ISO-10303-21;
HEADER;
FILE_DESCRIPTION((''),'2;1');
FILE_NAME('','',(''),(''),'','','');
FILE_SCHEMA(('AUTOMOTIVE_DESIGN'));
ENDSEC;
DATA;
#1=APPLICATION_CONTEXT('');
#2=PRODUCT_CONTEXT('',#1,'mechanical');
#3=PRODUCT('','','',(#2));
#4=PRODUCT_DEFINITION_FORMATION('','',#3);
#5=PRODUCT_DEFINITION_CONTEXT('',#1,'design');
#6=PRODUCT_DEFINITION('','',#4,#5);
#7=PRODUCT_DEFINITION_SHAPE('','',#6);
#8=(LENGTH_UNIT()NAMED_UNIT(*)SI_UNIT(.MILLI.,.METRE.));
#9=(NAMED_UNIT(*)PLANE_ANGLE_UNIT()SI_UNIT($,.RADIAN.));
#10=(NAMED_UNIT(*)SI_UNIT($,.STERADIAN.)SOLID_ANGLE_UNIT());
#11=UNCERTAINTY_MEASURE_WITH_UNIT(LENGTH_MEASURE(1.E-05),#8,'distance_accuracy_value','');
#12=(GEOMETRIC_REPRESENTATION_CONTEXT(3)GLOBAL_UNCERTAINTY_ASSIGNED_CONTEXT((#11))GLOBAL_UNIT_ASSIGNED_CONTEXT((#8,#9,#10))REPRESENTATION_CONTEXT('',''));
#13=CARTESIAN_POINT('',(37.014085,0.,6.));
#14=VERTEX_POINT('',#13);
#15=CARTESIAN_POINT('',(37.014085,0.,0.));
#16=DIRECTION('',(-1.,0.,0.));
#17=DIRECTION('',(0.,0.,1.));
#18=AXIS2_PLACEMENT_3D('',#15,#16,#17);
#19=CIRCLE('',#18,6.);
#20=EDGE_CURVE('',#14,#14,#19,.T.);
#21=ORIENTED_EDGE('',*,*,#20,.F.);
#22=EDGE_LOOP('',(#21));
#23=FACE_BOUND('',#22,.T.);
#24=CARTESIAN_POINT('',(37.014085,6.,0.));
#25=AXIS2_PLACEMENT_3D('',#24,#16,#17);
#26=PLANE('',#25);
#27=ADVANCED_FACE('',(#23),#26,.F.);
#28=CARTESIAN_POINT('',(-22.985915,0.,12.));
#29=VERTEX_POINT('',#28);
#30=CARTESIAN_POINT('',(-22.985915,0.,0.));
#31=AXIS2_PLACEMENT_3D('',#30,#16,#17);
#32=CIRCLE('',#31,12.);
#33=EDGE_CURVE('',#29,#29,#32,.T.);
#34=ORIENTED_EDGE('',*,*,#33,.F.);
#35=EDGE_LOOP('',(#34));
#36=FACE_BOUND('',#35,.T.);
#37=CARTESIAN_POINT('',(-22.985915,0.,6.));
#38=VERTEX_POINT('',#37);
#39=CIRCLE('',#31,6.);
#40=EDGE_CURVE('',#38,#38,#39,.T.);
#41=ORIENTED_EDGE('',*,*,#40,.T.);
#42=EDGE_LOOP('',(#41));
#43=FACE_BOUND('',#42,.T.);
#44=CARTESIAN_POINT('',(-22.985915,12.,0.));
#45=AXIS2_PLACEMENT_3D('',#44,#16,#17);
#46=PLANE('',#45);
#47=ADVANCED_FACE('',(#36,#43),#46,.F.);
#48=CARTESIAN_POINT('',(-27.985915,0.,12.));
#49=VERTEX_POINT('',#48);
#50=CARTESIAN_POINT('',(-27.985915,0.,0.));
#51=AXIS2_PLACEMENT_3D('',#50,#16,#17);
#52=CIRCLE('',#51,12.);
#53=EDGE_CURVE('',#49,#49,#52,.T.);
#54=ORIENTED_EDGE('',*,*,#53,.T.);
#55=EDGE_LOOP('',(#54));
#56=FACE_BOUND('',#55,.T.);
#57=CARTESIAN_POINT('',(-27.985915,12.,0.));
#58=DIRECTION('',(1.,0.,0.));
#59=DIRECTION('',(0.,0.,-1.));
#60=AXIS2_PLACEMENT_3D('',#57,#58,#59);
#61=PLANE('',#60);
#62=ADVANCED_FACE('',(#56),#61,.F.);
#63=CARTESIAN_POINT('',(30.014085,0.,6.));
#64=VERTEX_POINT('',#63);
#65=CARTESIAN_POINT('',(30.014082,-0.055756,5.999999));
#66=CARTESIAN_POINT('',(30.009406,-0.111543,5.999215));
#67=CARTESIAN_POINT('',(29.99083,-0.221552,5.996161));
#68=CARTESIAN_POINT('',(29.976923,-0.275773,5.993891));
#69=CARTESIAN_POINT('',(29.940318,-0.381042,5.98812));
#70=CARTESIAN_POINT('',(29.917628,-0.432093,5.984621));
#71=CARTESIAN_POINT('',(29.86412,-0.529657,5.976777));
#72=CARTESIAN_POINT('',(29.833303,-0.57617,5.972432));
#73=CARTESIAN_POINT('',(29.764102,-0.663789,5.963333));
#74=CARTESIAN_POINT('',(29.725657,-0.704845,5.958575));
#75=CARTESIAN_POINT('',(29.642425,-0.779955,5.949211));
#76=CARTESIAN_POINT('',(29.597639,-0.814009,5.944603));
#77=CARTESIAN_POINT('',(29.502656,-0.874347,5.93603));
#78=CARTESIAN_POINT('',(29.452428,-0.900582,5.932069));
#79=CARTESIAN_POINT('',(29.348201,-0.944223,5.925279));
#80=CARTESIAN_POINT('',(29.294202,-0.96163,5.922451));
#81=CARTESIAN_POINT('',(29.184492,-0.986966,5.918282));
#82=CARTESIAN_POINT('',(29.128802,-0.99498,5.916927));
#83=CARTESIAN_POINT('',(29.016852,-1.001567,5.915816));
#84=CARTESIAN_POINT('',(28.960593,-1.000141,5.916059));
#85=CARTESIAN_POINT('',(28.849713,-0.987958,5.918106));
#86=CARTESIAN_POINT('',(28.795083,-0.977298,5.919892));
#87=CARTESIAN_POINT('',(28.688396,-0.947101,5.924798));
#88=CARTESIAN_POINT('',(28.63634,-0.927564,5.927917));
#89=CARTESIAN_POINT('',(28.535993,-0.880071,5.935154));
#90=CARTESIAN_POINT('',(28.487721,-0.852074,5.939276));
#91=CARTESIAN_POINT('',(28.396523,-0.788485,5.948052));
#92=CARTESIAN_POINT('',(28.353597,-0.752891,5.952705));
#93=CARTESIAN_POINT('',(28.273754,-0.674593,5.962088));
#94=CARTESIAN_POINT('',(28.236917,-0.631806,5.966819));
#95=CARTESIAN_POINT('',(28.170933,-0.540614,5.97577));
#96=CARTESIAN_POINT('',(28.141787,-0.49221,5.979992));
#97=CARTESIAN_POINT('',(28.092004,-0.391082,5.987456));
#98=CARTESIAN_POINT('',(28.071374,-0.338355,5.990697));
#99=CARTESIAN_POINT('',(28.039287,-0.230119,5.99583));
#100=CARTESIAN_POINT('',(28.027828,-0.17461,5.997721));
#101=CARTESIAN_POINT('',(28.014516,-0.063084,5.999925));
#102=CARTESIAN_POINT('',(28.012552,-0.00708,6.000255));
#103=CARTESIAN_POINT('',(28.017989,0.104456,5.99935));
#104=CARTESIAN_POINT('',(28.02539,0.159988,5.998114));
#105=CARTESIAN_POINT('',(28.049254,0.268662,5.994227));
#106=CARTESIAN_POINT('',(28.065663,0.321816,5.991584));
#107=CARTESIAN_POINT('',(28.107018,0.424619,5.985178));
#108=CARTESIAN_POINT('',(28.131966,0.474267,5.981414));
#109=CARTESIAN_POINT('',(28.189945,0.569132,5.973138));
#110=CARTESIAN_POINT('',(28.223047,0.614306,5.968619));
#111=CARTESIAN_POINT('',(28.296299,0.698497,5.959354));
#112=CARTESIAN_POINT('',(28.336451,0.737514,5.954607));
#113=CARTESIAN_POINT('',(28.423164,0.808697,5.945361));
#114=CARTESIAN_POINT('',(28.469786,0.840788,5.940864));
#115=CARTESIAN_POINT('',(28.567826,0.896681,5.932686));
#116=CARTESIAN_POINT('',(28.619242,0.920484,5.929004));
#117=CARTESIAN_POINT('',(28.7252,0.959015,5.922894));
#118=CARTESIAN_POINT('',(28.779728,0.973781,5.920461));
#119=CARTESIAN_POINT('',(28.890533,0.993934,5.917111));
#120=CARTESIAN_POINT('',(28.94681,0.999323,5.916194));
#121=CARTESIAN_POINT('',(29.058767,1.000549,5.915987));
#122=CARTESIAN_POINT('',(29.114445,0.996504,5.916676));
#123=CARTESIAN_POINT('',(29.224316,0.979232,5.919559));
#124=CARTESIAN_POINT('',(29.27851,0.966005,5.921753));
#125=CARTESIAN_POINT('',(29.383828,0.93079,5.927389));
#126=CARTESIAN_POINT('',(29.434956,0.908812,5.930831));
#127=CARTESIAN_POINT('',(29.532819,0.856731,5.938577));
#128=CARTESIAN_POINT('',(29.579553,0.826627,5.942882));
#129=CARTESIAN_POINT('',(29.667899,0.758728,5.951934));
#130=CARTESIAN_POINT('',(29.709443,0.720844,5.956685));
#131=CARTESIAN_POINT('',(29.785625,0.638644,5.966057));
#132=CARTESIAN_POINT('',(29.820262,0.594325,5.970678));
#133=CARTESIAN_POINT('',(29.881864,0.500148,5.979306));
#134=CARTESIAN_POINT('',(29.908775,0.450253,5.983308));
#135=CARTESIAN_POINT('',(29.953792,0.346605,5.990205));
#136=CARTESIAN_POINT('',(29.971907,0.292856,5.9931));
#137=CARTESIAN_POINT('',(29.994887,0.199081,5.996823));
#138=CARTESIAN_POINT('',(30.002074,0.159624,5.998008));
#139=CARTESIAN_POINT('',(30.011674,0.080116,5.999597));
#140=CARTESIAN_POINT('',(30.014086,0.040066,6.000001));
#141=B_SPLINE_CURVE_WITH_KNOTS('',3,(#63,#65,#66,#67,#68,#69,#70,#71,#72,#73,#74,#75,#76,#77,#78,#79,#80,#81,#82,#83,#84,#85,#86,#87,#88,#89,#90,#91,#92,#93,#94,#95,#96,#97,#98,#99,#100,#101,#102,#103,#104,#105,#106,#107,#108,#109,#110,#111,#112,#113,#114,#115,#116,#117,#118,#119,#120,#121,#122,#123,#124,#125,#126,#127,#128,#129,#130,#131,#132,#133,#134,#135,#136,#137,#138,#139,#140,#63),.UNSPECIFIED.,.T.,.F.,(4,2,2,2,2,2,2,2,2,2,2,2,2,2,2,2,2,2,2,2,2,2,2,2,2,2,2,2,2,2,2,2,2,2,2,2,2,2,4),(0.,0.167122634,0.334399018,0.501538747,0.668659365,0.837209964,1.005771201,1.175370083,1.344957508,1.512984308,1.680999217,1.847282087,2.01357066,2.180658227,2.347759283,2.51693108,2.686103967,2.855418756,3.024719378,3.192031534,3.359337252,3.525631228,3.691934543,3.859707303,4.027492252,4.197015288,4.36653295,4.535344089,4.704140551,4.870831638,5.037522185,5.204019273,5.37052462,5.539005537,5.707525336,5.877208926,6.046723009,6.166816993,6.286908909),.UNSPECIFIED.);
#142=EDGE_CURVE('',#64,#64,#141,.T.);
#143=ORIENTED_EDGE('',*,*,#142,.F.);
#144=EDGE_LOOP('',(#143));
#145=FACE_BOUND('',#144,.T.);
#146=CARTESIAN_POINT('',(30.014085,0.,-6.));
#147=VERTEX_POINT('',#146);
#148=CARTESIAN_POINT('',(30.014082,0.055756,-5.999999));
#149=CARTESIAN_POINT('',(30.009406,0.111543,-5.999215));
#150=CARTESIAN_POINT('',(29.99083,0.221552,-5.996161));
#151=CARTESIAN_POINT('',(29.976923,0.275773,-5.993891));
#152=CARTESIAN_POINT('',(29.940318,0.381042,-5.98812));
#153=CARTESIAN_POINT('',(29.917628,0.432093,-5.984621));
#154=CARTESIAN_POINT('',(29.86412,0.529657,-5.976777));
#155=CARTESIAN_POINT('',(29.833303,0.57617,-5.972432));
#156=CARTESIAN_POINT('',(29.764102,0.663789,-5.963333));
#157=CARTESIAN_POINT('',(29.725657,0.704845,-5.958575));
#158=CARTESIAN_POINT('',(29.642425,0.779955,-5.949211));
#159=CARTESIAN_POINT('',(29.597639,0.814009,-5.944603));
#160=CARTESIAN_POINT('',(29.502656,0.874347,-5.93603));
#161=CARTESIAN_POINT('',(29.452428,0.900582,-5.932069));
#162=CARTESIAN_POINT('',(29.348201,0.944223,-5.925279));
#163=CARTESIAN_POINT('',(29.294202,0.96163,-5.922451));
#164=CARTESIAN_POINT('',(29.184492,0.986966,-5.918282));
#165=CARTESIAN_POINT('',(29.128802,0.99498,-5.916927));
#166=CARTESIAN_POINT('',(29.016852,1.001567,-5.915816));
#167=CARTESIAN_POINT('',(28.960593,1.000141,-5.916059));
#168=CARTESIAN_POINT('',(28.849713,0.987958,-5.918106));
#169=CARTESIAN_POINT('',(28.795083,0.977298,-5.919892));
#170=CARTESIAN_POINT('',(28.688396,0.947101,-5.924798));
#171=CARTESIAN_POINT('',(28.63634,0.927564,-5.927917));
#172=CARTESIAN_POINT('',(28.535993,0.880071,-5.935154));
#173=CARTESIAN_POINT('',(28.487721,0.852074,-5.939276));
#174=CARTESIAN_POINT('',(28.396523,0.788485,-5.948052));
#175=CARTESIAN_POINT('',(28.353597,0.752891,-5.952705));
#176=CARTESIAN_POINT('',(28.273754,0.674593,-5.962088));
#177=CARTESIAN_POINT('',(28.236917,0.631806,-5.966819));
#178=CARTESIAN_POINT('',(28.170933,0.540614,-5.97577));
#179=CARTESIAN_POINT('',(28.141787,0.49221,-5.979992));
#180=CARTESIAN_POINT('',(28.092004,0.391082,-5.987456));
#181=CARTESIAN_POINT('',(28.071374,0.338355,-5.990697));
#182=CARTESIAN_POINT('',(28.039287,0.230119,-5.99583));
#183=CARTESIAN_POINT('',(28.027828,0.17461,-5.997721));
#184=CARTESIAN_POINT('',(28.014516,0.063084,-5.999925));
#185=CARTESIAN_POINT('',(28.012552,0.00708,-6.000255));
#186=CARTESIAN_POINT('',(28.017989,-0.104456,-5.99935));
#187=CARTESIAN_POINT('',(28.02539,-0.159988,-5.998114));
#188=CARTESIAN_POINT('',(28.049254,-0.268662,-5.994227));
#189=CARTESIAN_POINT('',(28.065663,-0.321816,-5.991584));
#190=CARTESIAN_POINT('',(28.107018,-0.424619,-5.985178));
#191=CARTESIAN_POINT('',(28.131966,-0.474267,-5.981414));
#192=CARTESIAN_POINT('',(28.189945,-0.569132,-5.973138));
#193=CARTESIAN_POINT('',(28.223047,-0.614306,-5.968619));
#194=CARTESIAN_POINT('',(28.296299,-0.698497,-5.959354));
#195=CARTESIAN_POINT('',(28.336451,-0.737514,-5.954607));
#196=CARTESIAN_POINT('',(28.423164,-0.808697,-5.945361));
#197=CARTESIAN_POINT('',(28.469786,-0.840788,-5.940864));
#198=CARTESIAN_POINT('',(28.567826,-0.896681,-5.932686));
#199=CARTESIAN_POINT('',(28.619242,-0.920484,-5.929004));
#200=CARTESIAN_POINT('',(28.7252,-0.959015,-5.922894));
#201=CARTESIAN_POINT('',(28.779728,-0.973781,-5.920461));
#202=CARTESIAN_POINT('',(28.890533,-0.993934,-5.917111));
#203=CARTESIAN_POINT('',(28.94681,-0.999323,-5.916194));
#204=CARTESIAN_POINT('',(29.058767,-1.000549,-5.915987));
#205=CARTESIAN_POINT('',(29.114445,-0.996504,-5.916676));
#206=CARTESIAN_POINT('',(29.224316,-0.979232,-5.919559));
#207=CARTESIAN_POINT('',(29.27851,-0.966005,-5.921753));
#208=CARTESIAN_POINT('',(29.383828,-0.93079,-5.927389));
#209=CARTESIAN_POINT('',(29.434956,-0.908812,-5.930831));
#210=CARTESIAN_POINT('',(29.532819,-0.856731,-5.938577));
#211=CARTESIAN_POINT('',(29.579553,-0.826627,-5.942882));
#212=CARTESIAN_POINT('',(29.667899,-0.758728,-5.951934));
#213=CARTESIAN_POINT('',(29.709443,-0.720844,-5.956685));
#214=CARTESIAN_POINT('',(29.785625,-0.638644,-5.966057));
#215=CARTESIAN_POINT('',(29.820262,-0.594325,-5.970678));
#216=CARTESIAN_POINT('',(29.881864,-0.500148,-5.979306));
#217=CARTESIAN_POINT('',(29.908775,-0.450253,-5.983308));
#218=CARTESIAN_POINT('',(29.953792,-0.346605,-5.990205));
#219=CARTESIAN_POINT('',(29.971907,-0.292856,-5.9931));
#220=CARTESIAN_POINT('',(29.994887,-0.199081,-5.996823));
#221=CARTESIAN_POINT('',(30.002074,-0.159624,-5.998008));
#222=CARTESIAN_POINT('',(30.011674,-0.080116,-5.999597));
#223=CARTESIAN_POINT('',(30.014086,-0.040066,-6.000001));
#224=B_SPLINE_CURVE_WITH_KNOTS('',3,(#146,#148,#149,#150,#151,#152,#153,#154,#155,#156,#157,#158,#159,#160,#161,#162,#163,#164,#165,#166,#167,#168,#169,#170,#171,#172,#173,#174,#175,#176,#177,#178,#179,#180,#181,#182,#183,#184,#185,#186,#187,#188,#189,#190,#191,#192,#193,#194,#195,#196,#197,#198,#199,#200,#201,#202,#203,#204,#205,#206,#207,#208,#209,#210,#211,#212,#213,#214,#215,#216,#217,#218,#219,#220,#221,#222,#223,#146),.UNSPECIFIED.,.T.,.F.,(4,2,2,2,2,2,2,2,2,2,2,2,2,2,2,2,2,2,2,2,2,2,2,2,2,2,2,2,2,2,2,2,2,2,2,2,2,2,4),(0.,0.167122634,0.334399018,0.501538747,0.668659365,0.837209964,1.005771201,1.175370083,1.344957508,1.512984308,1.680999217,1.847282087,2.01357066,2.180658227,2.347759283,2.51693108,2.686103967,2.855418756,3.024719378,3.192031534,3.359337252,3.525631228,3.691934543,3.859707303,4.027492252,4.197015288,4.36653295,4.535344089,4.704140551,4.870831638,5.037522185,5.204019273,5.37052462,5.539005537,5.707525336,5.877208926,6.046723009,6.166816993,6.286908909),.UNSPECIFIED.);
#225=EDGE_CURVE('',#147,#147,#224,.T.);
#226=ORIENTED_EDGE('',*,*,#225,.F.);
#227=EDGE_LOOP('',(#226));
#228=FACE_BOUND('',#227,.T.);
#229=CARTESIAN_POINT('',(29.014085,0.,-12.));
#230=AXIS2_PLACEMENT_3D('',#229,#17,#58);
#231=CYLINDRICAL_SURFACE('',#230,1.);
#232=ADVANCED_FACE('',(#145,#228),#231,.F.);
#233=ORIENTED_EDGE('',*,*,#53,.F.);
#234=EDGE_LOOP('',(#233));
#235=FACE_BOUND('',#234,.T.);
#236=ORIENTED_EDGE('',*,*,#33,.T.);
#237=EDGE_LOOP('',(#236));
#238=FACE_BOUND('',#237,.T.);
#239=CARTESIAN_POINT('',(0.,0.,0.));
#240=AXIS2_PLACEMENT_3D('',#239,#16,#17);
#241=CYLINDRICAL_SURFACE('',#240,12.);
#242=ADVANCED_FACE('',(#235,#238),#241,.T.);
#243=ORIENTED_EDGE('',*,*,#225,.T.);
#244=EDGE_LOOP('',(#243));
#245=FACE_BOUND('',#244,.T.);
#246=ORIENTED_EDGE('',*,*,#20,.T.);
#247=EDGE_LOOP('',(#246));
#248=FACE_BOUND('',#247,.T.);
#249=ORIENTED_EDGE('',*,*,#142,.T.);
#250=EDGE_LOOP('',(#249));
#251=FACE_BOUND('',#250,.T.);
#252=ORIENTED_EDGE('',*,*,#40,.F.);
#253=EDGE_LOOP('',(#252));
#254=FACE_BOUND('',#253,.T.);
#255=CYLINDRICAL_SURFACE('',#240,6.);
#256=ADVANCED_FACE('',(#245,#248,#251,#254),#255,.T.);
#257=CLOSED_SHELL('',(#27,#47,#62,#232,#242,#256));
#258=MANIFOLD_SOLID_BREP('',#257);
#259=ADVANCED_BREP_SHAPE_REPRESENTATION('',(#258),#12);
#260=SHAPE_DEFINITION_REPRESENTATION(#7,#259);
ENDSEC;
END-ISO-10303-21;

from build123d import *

# Parameters (mm, degrees)
CUT_EXTRUDE1_DEPTH      = 41.719067424
CUT_EXTRUDE1_DEPTH_BACK = 41.719067424
SKETCH2_R               = 1


with BuildPart() as part:
    # Sketch1 → Revolve1 (revolve)
    with BuildSketch(Plane.XY, mode=Mode.PRIVATE) as revolve1_sk:
        Polygon((-27.985915493, 12), (-27.985915493, 0), (37.014084507, 0), (37.014084507, 6), (-22.985915493, 6), (-22.985915493, 12), align=None)
    revolve(revolve1_sk.sketch.rotate(Axis((0, 0, 0), (1, 0, 0)), 90), axis=Axis((0, 0, 0), (1, 0, 0)))

    # Sketch2 → Cut-Extrude1 (cut, two sides: drawn at the far end of the back side and taken through both)
    with BuildSketch(Plane.XY.offset(-CUT_EXTRUDE1_DEPTH_BACK)):
        with Locations((29.014084507, 0)):
            Circle(SKETCH2_R)
    extrude(amount=CUT_EXTRUDE1_DEPTH + CUT_EXTRUDE1_DEPTH_BACK, mode=Mode.SUBTRACT)


solid = part.part
